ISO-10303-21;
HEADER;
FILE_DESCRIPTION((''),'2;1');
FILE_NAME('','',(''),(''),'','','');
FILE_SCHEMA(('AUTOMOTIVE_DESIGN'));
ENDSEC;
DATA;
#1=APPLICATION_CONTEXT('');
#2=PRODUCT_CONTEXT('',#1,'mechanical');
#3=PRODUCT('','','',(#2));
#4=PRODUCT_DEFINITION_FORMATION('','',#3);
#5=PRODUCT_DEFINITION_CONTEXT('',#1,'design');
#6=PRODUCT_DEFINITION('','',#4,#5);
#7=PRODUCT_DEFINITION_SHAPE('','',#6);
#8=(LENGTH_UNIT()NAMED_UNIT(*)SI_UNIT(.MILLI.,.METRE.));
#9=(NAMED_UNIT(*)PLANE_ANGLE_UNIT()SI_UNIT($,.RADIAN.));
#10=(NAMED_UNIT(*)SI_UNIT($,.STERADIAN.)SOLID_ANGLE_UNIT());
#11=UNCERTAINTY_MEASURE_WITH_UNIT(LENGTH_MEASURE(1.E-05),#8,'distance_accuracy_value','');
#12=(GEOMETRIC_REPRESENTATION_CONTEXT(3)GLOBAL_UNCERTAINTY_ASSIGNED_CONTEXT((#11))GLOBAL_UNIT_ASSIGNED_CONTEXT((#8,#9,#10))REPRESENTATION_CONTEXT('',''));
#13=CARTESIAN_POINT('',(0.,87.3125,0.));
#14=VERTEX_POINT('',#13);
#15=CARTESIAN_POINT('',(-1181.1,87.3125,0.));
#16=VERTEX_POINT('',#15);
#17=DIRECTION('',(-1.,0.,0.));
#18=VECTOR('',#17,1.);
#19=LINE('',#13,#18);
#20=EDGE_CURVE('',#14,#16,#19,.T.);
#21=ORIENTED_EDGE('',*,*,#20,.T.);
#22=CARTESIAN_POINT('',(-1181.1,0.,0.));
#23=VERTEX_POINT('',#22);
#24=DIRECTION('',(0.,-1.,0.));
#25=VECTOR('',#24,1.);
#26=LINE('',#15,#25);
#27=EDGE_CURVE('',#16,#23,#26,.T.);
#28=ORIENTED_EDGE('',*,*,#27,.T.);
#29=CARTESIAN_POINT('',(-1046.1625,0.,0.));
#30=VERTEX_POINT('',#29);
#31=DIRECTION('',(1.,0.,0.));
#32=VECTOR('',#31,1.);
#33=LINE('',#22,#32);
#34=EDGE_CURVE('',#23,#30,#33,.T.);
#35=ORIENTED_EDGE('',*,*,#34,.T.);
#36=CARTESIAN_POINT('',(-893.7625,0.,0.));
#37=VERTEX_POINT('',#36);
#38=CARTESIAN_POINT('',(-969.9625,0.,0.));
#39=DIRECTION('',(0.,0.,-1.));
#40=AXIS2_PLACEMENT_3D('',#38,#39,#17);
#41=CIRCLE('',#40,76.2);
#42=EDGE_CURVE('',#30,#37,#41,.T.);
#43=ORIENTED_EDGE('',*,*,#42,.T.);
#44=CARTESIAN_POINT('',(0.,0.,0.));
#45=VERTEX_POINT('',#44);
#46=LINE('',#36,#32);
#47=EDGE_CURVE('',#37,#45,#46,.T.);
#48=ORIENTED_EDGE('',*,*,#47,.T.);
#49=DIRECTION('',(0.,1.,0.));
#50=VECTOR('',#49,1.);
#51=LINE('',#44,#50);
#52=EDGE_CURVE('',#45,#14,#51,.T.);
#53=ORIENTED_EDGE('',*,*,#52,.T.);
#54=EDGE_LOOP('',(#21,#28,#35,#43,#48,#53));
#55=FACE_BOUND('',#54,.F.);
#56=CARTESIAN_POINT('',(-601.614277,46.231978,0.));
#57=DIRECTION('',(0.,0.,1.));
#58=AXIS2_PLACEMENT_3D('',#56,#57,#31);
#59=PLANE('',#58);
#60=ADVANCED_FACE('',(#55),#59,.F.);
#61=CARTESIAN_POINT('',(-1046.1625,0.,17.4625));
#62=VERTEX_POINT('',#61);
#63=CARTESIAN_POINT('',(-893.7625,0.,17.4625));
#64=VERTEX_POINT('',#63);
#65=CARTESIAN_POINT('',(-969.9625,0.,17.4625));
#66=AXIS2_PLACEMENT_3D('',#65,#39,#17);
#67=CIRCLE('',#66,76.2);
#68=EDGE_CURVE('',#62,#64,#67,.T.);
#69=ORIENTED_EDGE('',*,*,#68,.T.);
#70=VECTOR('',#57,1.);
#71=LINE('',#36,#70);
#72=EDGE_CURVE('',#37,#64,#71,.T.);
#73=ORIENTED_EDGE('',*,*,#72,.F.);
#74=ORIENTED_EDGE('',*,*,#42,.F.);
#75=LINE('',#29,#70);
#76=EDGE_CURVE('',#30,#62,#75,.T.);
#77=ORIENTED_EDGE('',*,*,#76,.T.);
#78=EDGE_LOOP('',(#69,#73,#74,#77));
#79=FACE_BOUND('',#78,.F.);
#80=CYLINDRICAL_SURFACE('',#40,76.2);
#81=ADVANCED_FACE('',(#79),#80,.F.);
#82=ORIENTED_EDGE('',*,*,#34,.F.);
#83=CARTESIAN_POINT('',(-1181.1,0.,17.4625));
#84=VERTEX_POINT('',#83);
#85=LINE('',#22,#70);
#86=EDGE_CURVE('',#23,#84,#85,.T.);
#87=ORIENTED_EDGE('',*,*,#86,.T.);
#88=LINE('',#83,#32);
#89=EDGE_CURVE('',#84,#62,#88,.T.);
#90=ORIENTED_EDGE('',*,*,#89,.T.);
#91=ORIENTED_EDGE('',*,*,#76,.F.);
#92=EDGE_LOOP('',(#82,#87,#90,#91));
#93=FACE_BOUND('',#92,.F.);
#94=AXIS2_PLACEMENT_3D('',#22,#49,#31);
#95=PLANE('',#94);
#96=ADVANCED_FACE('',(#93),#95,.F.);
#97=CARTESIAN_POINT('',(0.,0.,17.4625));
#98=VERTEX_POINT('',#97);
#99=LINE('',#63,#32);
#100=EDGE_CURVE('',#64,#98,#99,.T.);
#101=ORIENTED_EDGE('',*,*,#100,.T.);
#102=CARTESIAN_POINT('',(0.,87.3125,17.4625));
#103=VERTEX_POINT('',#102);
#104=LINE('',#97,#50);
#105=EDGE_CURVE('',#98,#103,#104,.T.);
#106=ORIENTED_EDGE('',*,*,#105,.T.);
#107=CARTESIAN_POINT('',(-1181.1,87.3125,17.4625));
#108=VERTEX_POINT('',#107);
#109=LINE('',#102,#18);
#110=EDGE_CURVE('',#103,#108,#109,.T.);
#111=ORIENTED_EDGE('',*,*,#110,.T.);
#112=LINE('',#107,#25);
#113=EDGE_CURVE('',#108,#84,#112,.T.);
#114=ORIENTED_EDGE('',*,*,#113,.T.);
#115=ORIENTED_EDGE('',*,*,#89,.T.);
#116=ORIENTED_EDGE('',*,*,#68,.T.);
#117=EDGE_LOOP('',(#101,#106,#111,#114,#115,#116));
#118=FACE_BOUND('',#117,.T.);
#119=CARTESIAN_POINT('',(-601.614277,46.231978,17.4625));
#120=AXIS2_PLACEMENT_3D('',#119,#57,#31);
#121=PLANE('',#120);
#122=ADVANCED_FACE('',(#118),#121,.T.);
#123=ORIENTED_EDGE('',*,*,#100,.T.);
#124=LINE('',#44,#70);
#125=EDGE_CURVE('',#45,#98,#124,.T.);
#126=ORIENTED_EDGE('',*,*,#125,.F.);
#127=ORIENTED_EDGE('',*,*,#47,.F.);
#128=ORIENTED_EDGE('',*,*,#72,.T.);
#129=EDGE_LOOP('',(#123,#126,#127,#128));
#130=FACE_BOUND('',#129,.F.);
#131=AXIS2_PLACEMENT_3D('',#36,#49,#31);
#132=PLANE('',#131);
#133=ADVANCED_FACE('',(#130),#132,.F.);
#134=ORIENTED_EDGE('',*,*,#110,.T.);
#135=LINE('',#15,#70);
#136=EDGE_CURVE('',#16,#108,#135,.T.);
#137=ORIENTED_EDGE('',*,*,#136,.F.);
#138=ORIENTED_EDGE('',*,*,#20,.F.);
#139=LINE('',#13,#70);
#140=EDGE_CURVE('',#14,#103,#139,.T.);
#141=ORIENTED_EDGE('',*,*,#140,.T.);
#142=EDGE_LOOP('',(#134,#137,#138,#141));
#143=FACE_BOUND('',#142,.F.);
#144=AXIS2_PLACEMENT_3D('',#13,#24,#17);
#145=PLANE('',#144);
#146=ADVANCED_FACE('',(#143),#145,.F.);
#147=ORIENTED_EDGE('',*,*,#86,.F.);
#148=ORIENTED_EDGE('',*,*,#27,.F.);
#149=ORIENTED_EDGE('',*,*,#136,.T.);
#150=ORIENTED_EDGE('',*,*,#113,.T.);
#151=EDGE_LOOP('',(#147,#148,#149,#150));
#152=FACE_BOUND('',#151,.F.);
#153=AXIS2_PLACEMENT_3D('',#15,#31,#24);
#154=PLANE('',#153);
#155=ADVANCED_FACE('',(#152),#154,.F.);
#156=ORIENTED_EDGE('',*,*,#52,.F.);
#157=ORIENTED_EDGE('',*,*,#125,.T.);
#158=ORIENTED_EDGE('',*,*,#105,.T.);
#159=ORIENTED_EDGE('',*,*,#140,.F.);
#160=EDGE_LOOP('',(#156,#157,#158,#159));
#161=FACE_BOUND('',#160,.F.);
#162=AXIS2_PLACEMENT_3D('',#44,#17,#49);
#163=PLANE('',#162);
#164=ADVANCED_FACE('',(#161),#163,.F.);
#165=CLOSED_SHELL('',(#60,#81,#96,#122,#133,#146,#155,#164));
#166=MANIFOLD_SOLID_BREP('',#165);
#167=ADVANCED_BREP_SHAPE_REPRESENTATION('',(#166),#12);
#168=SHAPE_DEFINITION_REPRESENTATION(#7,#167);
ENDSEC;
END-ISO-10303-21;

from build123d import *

# Parameters (mm, degrees)
F1_DEPTH = 17.4625


with BuildPart() as f1:
    # F0 (on Top) → F1 (new body)
    with BuildSketch(Plane.XY):
        with BuildLine():
            Line((-893.7625, 0), (0, 0))
            Line((0, 0), (0, 87.3125))
            Line((0, 87.3125), (-1181.1, 87.3125))
            Line((-1181.1, 87.3125), (-1181.1, 0))
            Line((-1181.1, 0), (-1046.1625, 0))
            ThreePointArc((-1046.1625, 0), (-969.9625, 76.2), (-893.7625, 0))
        make_face()
    extrude(amount=F1_DEPTH)


solid = f1.part
